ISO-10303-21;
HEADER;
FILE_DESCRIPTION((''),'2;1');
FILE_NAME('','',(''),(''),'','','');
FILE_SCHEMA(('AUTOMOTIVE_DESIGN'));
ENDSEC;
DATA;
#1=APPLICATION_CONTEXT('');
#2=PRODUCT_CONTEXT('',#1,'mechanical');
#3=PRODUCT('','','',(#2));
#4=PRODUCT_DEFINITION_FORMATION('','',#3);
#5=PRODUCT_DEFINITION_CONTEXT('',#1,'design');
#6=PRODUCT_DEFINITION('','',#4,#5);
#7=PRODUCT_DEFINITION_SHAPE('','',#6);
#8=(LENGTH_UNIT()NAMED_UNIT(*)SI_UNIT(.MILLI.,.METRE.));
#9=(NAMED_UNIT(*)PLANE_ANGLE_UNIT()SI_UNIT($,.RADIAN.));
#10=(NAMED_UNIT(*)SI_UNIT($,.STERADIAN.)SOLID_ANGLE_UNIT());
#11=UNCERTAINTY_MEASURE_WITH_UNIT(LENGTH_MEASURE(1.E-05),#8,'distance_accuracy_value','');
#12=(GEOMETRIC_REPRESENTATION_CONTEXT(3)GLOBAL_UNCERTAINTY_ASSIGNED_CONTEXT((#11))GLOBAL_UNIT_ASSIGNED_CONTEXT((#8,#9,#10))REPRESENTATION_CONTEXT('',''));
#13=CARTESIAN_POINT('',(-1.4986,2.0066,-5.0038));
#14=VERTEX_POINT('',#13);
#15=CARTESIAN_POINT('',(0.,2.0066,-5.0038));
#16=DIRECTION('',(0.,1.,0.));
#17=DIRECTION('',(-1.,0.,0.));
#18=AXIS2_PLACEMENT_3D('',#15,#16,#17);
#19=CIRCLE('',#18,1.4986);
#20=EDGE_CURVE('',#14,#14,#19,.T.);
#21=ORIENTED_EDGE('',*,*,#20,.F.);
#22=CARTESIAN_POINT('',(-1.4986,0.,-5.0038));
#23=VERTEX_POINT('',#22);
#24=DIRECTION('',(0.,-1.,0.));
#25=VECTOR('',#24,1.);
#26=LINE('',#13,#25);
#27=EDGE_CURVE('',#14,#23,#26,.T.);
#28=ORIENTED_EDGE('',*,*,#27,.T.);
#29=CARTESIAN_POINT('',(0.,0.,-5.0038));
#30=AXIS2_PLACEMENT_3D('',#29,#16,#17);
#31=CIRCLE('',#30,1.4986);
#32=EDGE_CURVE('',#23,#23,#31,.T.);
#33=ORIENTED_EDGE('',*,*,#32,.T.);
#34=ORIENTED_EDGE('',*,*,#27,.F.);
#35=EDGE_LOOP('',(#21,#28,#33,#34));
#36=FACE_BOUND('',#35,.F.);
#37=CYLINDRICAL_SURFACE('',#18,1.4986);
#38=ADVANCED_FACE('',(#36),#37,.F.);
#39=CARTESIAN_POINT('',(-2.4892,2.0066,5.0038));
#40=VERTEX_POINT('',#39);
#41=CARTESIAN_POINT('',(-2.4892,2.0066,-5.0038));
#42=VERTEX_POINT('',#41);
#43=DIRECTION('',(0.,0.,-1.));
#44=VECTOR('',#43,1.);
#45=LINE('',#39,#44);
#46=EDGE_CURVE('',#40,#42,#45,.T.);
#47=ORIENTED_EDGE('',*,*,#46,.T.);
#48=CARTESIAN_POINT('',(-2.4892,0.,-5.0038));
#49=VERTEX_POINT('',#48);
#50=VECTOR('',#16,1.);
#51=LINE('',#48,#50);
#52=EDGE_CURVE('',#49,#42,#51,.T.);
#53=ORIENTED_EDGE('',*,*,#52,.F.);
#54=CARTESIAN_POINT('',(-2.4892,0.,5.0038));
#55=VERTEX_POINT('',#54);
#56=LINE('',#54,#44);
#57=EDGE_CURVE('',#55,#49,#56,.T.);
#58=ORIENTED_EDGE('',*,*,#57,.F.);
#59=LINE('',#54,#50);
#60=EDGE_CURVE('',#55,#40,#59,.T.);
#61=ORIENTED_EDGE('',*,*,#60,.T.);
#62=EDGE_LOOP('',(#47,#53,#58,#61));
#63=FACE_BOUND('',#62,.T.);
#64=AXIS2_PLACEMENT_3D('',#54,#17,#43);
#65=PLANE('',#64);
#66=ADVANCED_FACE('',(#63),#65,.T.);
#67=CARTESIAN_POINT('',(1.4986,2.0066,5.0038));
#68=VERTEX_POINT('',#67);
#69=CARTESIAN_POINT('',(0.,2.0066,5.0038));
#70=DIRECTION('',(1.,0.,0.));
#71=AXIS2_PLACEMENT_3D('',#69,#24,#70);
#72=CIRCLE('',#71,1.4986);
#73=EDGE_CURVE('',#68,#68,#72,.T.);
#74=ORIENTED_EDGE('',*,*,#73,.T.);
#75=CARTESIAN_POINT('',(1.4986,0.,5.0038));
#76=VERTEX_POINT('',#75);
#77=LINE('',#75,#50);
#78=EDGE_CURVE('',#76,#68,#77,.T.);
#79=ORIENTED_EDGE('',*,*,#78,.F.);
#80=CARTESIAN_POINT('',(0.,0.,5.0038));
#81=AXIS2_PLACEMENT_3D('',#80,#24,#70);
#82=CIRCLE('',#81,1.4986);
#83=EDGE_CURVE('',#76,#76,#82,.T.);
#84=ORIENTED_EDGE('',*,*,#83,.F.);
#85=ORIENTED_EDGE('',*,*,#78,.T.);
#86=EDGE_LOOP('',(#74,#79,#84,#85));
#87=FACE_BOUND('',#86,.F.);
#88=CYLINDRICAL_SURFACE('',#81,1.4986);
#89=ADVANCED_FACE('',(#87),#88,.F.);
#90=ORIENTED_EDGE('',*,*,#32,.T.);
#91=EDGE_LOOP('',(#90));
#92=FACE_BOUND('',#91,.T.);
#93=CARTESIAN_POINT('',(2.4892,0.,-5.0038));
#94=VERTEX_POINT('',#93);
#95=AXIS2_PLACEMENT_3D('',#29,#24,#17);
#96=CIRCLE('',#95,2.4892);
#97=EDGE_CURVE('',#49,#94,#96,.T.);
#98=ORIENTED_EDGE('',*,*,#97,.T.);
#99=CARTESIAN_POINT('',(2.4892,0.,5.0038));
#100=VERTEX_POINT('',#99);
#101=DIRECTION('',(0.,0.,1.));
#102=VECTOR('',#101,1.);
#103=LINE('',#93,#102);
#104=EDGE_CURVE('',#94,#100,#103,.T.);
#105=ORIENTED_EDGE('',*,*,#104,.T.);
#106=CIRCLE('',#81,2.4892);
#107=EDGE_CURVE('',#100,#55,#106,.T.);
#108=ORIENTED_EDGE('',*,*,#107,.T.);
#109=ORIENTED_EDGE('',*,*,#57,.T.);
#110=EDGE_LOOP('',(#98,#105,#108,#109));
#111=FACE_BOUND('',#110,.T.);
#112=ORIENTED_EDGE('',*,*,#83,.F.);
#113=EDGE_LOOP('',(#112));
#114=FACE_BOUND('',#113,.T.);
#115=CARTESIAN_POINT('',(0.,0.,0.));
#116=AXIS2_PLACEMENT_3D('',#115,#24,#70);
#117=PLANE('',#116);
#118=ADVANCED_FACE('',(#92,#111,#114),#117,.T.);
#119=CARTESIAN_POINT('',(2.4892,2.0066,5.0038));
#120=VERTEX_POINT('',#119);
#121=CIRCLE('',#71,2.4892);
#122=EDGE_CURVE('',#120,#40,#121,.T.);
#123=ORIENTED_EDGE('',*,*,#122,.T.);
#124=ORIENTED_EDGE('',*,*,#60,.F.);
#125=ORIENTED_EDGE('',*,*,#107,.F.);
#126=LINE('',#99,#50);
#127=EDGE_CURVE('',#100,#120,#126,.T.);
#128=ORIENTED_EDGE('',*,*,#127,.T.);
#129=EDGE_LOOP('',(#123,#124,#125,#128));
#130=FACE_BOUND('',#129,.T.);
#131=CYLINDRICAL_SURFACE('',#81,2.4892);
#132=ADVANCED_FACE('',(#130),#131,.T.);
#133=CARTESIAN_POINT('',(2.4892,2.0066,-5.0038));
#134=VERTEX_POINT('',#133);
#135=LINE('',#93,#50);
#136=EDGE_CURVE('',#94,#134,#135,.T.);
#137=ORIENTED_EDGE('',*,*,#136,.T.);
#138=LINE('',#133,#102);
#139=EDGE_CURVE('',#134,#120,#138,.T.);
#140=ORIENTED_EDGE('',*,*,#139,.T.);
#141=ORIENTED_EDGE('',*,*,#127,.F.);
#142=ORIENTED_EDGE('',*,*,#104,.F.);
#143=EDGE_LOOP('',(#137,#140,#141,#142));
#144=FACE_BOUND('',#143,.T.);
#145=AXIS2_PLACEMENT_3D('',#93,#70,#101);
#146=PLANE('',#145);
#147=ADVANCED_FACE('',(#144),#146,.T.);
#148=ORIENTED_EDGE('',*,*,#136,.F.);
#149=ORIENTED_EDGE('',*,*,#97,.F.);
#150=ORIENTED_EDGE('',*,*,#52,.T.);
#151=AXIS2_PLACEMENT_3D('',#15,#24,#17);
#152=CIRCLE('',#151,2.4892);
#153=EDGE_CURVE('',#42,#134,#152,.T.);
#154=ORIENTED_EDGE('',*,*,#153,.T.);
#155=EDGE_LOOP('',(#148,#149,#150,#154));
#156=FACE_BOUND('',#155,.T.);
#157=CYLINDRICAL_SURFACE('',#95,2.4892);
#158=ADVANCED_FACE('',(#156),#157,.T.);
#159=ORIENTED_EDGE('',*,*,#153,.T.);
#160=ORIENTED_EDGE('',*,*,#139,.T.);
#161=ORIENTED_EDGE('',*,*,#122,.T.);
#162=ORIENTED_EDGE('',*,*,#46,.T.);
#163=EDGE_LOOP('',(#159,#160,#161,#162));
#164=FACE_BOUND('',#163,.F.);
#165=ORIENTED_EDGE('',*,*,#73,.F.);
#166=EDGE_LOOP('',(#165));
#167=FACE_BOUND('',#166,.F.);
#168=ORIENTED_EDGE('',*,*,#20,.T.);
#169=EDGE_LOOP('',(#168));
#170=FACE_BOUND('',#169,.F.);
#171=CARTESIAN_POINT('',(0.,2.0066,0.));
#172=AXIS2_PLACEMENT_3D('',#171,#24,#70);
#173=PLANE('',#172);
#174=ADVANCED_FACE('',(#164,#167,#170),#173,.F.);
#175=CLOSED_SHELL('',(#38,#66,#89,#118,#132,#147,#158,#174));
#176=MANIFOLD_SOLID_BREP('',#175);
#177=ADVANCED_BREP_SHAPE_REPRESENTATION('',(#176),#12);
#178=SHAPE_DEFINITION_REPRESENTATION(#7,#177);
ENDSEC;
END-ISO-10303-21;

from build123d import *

# Parameters (mm, degrees)
F0_R     = 1.4986
F1_DEPTH = 2.0066
F2_R     = 1.4986
F3_DEPTH = 25.4


with BuildPart() as f1:
    # F0 (on Front) → F1 (new body)
    with BuildSketch(Plane.XZ):
        with BuildLine():
            Line((2.4892, -5.0038), (2.4892, 5.0038))
            ThreePointArc((2.4892, 5.0038), (0, 7.493), (-2.4892, 5.0038))
            Line((-2.4892, 5.0038), (-2.4892, -5.0038))
            ThreePointArc((-2.4892, -5.0038), (0, -7.493), (2.4892, -5.0038))
        make_face()
        with Locations((0, 5.0038)):
            Circle(F0_R, mode=Mode.SUBTRACT)
    extrude(amount=-F1_DEPTH)

    # F2 (on face) → F3 (cut)
    with BuildSketch(Plane(origin=(0, 2.0066, 0), x_dir=(-1, 0, 0), z_dir=(0, 1, 0))):
        with Locations((0, -5.0038)):
            Circle(F2_R)
    extrude(amount=-F3_DEPTH, mode=Mode.SUBTRACT)


solid = f1.part
